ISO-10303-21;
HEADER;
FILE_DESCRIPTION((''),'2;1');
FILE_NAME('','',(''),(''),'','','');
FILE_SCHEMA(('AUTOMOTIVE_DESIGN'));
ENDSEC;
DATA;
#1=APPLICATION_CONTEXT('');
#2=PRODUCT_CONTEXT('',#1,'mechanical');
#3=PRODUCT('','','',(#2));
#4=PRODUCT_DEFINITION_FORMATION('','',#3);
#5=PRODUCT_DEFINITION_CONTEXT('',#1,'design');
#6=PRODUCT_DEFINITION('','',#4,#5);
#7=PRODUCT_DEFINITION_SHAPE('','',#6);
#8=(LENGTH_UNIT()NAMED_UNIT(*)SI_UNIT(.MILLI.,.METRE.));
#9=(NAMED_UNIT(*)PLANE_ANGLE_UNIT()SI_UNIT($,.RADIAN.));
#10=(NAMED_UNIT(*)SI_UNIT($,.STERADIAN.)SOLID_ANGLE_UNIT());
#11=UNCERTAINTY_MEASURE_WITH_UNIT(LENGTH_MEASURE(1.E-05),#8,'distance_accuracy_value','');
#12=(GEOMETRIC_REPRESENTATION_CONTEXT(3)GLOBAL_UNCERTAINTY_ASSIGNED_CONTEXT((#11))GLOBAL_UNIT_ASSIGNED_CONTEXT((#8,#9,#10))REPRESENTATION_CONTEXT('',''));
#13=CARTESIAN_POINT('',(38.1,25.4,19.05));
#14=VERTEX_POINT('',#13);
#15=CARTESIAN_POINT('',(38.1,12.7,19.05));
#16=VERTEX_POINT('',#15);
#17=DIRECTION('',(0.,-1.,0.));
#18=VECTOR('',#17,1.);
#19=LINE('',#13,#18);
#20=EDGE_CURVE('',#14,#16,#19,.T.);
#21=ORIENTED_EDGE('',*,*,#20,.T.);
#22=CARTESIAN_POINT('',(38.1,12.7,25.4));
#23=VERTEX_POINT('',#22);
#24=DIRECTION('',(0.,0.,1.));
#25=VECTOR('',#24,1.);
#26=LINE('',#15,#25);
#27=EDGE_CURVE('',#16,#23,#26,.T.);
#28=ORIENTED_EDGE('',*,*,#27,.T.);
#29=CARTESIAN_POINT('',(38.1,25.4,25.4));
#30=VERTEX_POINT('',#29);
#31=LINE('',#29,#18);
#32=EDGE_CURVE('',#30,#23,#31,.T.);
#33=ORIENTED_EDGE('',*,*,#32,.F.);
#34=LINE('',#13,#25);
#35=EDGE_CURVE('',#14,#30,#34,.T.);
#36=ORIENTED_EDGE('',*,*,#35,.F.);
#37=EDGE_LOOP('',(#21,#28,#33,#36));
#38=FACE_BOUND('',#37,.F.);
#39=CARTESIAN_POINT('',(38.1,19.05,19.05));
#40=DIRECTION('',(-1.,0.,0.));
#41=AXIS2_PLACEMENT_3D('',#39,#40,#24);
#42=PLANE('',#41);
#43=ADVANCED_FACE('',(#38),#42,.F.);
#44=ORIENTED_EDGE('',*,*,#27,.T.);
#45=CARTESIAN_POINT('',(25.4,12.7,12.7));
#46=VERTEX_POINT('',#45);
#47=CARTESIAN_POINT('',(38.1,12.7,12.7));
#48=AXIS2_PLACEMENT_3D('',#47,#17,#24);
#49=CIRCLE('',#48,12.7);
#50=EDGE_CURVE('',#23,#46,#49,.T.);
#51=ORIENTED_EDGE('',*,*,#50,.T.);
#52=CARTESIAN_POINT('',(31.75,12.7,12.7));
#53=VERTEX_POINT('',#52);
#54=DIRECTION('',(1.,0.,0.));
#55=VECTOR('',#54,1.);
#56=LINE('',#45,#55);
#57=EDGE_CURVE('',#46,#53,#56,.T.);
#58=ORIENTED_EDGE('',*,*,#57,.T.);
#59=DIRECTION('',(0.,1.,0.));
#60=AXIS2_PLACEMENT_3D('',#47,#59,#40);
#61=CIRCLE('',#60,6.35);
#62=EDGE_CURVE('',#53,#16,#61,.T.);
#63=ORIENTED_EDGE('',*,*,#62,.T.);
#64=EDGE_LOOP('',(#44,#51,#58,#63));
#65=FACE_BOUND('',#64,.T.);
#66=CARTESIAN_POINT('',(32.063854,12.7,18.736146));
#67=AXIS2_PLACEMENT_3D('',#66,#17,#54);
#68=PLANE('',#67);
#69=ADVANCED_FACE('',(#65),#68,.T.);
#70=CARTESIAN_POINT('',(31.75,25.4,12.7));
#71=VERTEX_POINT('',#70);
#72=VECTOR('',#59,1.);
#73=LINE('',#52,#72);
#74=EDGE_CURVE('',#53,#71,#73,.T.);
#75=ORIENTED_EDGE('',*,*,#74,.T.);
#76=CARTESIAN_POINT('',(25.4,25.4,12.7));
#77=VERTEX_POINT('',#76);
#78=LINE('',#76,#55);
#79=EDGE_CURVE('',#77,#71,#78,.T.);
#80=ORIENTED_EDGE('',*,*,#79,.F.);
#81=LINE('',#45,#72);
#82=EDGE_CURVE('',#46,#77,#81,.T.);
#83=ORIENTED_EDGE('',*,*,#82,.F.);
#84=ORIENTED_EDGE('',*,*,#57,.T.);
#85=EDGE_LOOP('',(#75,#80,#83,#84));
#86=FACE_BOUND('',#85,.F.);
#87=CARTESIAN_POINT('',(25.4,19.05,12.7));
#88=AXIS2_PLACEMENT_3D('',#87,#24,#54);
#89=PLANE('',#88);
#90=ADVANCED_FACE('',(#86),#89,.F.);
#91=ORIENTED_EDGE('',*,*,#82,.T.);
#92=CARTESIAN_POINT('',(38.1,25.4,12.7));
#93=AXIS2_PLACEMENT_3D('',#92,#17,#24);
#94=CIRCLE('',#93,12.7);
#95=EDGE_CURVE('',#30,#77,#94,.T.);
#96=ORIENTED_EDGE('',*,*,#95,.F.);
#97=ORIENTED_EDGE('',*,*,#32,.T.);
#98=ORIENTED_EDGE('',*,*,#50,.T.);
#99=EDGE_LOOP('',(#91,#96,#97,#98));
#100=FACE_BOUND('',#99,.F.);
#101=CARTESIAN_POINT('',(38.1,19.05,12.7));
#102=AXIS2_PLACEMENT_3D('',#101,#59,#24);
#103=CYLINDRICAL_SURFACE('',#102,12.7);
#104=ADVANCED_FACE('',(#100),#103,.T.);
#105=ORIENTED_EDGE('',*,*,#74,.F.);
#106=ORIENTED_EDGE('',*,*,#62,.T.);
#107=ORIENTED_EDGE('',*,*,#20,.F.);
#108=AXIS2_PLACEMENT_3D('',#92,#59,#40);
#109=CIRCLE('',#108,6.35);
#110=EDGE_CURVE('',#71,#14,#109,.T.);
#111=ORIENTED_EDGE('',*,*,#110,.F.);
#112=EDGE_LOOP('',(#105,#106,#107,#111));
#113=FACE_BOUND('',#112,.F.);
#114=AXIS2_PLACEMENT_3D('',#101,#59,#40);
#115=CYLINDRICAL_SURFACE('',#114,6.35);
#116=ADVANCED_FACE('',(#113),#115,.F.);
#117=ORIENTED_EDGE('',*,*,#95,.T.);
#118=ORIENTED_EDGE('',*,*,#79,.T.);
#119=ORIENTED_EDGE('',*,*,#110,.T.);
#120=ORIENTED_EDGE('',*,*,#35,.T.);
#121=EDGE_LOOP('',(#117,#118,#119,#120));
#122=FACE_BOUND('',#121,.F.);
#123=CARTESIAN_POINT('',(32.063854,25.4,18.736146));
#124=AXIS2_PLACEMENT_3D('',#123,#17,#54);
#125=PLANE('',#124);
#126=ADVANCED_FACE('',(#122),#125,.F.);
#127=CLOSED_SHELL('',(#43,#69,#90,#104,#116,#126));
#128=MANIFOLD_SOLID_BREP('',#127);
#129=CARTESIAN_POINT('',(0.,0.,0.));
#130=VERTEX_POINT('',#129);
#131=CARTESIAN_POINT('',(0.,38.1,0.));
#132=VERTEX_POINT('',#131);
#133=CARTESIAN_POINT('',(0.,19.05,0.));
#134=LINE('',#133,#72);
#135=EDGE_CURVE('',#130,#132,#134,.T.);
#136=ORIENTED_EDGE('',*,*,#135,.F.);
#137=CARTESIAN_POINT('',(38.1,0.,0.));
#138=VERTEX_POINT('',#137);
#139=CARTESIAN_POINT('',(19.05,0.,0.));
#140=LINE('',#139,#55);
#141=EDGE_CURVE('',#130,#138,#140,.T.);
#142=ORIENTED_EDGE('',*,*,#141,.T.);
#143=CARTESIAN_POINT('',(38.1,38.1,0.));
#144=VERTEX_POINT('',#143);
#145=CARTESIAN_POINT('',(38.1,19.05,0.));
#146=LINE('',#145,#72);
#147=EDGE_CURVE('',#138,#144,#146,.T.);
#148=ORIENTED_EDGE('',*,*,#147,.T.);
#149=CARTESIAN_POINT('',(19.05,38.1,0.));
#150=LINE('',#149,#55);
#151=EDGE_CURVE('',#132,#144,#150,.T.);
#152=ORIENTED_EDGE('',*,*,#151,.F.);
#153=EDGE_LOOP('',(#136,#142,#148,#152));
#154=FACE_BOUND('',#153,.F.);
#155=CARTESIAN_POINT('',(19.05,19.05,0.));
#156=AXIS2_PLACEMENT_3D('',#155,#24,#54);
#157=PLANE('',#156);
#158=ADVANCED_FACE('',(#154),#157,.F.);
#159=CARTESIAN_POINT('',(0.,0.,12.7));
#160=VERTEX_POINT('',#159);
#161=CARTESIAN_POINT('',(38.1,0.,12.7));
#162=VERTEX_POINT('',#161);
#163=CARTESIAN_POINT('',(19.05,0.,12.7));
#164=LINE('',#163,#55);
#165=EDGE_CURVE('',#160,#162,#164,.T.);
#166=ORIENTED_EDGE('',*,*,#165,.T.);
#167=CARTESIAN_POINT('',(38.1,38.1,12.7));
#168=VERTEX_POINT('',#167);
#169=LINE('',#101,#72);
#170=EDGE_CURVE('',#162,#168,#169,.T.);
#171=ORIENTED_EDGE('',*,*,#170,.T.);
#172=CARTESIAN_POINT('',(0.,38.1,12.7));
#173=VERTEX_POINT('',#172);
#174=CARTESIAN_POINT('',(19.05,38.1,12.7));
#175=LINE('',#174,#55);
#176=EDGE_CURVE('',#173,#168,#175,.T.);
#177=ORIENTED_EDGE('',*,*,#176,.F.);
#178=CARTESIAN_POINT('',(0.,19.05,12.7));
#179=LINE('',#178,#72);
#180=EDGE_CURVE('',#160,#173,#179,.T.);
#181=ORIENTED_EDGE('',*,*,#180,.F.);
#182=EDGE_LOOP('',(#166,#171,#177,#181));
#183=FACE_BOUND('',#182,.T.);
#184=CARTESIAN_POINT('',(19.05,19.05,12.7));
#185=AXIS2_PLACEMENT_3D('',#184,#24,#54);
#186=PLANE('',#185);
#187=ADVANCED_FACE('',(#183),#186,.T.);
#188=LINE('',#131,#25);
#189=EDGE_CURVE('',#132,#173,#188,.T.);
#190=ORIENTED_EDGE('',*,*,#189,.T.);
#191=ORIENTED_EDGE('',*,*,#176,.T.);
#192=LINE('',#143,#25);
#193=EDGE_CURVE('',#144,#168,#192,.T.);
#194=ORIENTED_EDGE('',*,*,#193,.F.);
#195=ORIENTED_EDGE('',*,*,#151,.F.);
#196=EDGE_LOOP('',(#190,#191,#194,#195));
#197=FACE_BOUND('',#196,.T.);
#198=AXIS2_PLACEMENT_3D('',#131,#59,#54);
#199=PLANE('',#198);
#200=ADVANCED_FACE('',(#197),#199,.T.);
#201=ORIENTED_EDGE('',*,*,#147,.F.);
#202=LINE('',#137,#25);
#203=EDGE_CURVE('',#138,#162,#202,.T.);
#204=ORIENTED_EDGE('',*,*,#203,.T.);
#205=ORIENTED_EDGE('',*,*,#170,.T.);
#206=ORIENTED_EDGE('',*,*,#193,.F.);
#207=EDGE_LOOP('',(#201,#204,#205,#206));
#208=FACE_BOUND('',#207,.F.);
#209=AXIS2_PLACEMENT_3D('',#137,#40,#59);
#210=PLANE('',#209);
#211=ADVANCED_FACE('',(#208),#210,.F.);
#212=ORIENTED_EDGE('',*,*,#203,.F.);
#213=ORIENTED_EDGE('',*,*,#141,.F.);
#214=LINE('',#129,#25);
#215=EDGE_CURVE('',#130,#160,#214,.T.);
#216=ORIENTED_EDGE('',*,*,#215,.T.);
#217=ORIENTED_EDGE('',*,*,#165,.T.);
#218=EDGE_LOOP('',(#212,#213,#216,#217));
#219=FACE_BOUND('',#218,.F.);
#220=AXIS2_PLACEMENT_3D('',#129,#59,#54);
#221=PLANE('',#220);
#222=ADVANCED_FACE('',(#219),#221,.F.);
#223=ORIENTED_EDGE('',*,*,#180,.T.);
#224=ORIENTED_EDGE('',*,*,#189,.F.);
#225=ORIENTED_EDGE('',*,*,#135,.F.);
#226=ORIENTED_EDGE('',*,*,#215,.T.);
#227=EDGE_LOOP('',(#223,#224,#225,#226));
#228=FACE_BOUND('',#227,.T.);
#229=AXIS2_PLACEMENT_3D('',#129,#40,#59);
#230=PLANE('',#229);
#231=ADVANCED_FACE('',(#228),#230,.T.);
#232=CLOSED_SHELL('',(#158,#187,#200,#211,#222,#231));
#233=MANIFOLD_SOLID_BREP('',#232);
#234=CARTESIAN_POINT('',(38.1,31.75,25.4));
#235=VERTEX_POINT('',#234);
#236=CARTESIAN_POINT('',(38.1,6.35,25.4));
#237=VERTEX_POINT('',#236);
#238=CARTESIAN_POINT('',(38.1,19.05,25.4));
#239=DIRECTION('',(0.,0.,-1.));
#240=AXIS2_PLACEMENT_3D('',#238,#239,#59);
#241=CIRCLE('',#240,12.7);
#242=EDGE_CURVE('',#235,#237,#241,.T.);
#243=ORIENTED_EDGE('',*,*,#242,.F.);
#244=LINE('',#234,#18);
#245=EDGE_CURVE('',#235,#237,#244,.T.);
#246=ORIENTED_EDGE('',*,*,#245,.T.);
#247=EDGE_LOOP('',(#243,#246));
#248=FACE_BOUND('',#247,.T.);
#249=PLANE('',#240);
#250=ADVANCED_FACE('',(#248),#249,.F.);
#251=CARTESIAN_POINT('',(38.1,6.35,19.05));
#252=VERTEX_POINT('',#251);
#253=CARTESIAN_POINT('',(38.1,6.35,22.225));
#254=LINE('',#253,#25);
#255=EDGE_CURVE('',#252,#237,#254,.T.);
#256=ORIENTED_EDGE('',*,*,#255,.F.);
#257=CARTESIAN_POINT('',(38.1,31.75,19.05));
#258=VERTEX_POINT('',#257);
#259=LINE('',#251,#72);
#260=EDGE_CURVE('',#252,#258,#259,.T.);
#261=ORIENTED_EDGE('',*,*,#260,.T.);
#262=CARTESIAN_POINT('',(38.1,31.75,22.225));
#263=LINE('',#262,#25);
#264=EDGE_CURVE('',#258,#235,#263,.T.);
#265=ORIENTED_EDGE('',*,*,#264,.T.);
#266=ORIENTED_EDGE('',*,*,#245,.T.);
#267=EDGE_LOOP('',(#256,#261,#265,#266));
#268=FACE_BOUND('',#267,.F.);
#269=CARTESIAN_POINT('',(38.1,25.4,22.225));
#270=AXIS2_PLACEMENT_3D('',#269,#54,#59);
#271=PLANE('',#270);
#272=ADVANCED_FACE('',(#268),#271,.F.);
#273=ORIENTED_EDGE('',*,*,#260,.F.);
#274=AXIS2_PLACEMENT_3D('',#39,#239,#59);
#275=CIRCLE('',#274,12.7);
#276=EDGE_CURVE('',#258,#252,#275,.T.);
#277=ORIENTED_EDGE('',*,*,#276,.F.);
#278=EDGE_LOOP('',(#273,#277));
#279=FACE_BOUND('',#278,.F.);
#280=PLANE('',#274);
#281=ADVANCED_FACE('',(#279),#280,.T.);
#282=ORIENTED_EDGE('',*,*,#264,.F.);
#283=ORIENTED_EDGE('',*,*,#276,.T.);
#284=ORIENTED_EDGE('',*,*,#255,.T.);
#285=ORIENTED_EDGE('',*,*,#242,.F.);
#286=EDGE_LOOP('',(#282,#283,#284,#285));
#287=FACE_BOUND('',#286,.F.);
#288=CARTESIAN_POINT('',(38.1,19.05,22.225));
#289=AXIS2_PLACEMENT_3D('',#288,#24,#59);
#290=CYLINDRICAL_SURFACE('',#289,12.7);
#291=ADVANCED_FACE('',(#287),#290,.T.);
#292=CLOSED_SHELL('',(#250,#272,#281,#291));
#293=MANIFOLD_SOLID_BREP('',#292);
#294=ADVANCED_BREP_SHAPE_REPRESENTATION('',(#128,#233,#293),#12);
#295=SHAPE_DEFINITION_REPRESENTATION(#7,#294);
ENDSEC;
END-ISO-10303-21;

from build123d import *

# Parameters (mm, degrees)
F0_W          = 38.1
F0_H          = 38.1
F1_DEPTH      = 12.7
F4_DEPTH      = 6.35
F4_DEPTH_BACK = 6.35
F5_W          = 12.7
F5_H          = 6.35
F6_ANGLE_BACK = 90
F6_ANGLE      = 180


with BuildPart() as f1:
    # F0 (on Top) → F1 (new body)
    with BuildSketch(Plane.XY):
        with Locations((19.05, 19.05)):
            Rectangle(F0_W, F0_H)
    extrude(amount=F1_DEPTH)


with BuildPart() as f4:
    # F3 (on offset) → F4 (new body, two sides)
    with BuildSketch(Plane.XZ.offset(-19.05)) as f4_sk:
        with BuildLine():
            ThreePointArc((31.75, 12.7), (33.6098719395, 17.1901280605), (38.1, 19.05))
            Line((38.1, 19.05), (38.1, 25.4))
            ThreePointArc((38.1, 25.4), (29.1197438789, 21.6802561211), (25.4, 12.7))
            Line((25.4, 12.7), (31.75, 12.7))
        make_face()
    extrude(amount=-F4_DEPTH)
    extrude(f4_sk.sketch, amount=F4_DEPTH_BACK)


with BuildPart() as f6:
    # F5 (on offset) → F6 (revolve)
    with BuildSketch(Plane.XZ.offset(-19.05), mode=Mode.PRIVATE) as f6_sk:
        with Locations((44.45, 22.225)):
            Rectangle(F5_W, F5_H)
    revolve(f6_sk.sketch.rotate(Axis((38.1, 19.05, 22.225), (0, 0, -1)), -F6_ANGLE_BACK), axis=Axis((38.1, 19.05, 22.225), (0, 0, -1)), revolution_arc=F6_ANGLE)


solid = Compound([f1.part, f4.part, f6.part])
